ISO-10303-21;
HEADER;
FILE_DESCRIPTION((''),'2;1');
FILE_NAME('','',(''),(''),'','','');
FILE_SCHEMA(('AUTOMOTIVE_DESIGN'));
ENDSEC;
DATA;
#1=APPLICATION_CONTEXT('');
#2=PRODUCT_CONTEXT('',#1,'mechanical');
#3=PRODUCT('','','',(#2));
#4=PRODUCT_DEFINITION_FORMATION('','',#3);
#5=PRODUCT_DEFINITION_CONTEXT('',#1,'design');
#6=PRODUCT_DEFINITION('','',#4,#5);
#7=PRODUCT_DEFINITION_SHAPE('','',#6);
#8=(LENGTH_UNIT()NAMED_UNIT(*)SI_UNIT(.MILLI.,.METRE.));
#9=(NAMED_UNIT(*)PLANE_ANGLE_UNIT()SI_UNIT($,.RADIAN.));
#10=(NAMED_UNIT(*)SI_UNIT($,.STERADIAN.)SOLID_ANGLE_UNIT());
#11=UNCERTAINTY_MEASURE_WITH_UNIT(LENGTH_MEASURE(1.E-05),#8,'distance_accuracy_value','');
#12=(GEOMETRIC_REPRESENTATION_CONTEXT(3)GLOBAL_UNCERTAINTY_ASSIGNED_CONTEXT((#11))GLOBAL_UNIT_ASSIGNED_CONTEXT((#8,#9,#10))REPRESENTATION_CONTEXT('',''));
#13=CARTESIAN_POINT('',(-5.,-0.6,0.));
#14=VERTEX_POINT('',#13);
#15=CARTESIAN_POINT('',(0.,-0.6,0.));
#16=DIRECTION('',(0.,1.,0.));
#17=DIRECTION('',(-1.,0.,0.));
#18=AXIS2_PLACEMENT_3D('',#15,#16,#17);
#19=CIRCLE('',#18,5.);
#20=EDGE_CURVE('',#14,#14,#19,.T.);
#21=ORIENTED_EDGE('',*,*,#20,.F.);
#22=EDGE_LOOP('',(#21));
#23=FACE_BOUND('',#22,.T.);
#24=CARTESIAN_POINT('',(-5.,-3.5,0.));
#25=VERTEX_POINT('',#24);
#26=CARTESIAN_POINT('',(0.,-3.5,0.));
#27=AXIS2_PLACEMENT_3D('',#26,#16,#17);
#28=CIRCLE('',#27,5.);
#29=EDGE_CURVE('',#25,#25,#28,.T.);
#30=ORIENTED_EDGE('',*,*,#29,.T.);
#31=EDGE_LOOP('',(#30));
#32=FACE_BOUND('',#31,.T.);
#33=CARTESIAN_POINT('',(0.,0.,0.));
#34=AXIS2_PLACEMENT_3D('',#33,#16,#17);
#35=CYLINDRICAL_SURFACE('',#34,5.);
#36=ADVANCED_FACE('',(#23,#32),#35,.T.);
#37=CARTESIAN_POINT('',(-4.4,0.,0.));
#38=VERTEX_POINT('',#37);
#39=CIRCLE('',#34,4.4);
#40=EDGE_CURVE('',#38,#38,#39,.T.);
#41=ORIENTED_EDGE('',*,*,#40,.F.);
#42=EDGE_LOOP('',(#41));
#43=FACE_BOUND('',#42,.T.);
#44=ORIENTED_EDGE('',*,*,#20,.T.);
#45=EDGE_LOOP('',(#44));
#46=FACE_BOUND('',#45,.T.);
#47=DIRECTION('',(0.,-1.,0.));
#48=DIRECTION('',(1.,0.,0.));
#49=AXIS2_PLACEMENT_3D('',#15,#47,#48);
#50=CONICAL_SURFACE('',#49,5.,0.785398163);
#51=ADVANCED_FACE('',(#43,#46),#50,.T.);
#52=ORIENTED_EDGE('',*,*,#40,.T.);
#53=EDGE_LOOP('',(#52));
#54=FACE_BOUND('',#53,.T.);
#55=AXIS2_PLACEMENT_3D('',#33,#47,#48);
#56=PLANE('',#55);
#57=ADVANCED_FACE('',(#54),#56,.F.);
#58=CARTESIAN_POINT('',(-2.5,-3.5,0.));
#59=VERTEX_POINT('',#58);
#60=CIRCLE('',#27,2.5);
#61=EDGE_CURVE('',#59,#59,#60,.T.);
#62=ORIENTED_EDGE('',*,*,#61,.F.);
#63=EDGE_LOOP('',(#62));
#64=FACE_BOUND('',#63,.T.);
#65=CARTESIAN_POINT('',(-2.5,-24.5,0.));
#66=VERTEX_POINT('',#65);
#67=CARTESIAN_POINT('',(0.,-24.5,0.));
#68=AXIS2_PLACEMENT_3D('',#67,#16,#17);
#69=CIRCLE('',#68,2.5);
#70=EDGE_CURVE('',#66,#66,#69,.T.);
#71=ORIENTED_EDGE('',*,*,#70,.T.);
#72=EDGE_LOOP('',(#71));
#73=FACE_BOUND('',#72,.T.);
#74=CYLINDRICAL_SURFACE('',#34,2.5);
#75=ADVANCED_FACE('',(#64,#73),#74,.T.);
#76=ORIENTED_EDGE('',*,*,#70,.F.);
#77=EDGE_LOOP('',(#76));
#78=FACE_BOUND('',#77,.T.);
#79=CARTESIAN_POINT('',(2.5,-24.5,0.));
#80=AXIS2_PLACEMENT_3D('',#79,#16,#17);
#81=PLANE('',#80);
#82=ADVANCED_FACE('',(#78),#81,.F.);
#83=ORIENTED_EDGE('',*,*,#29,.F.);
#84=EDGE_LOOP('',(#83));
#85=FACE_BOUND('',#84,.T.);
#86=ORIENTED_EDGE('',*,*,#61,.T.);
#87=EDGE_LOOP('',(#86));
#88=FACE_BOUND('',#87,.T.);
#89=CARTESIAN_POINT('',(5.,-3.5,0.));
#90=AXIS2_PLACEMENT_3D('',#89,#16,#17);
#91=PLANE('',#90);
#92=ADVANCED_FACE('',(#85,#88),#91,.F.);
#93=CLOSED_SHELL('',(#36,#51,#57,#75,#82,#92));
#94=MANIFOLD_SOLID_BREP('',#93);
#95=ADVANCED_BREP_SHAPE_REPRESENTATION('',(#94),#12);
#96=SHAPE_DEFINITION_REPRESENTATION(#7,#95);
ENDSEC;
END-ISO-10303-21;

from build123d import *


with BuildPart() as part:
    # Sketch1 → Revolve1 (revolve)
    with BuildSketch(Plane.XY, mode=Mode.PRIVATE) as revolve1_sk:
        Polygon((0, 0), (4.4, 0), (5, -0.6), (5, -3.5), (2.5, -3.5), (2.5, -24.5), (0, -24.5), align=None)
    revolve(revolve1_sk.sketch.rotate(Axis((0, 0, 0), (0, -1, 0)), 180), axis=Axis((0, 0, 0), (0, -1, 0)))


solid = part.part
